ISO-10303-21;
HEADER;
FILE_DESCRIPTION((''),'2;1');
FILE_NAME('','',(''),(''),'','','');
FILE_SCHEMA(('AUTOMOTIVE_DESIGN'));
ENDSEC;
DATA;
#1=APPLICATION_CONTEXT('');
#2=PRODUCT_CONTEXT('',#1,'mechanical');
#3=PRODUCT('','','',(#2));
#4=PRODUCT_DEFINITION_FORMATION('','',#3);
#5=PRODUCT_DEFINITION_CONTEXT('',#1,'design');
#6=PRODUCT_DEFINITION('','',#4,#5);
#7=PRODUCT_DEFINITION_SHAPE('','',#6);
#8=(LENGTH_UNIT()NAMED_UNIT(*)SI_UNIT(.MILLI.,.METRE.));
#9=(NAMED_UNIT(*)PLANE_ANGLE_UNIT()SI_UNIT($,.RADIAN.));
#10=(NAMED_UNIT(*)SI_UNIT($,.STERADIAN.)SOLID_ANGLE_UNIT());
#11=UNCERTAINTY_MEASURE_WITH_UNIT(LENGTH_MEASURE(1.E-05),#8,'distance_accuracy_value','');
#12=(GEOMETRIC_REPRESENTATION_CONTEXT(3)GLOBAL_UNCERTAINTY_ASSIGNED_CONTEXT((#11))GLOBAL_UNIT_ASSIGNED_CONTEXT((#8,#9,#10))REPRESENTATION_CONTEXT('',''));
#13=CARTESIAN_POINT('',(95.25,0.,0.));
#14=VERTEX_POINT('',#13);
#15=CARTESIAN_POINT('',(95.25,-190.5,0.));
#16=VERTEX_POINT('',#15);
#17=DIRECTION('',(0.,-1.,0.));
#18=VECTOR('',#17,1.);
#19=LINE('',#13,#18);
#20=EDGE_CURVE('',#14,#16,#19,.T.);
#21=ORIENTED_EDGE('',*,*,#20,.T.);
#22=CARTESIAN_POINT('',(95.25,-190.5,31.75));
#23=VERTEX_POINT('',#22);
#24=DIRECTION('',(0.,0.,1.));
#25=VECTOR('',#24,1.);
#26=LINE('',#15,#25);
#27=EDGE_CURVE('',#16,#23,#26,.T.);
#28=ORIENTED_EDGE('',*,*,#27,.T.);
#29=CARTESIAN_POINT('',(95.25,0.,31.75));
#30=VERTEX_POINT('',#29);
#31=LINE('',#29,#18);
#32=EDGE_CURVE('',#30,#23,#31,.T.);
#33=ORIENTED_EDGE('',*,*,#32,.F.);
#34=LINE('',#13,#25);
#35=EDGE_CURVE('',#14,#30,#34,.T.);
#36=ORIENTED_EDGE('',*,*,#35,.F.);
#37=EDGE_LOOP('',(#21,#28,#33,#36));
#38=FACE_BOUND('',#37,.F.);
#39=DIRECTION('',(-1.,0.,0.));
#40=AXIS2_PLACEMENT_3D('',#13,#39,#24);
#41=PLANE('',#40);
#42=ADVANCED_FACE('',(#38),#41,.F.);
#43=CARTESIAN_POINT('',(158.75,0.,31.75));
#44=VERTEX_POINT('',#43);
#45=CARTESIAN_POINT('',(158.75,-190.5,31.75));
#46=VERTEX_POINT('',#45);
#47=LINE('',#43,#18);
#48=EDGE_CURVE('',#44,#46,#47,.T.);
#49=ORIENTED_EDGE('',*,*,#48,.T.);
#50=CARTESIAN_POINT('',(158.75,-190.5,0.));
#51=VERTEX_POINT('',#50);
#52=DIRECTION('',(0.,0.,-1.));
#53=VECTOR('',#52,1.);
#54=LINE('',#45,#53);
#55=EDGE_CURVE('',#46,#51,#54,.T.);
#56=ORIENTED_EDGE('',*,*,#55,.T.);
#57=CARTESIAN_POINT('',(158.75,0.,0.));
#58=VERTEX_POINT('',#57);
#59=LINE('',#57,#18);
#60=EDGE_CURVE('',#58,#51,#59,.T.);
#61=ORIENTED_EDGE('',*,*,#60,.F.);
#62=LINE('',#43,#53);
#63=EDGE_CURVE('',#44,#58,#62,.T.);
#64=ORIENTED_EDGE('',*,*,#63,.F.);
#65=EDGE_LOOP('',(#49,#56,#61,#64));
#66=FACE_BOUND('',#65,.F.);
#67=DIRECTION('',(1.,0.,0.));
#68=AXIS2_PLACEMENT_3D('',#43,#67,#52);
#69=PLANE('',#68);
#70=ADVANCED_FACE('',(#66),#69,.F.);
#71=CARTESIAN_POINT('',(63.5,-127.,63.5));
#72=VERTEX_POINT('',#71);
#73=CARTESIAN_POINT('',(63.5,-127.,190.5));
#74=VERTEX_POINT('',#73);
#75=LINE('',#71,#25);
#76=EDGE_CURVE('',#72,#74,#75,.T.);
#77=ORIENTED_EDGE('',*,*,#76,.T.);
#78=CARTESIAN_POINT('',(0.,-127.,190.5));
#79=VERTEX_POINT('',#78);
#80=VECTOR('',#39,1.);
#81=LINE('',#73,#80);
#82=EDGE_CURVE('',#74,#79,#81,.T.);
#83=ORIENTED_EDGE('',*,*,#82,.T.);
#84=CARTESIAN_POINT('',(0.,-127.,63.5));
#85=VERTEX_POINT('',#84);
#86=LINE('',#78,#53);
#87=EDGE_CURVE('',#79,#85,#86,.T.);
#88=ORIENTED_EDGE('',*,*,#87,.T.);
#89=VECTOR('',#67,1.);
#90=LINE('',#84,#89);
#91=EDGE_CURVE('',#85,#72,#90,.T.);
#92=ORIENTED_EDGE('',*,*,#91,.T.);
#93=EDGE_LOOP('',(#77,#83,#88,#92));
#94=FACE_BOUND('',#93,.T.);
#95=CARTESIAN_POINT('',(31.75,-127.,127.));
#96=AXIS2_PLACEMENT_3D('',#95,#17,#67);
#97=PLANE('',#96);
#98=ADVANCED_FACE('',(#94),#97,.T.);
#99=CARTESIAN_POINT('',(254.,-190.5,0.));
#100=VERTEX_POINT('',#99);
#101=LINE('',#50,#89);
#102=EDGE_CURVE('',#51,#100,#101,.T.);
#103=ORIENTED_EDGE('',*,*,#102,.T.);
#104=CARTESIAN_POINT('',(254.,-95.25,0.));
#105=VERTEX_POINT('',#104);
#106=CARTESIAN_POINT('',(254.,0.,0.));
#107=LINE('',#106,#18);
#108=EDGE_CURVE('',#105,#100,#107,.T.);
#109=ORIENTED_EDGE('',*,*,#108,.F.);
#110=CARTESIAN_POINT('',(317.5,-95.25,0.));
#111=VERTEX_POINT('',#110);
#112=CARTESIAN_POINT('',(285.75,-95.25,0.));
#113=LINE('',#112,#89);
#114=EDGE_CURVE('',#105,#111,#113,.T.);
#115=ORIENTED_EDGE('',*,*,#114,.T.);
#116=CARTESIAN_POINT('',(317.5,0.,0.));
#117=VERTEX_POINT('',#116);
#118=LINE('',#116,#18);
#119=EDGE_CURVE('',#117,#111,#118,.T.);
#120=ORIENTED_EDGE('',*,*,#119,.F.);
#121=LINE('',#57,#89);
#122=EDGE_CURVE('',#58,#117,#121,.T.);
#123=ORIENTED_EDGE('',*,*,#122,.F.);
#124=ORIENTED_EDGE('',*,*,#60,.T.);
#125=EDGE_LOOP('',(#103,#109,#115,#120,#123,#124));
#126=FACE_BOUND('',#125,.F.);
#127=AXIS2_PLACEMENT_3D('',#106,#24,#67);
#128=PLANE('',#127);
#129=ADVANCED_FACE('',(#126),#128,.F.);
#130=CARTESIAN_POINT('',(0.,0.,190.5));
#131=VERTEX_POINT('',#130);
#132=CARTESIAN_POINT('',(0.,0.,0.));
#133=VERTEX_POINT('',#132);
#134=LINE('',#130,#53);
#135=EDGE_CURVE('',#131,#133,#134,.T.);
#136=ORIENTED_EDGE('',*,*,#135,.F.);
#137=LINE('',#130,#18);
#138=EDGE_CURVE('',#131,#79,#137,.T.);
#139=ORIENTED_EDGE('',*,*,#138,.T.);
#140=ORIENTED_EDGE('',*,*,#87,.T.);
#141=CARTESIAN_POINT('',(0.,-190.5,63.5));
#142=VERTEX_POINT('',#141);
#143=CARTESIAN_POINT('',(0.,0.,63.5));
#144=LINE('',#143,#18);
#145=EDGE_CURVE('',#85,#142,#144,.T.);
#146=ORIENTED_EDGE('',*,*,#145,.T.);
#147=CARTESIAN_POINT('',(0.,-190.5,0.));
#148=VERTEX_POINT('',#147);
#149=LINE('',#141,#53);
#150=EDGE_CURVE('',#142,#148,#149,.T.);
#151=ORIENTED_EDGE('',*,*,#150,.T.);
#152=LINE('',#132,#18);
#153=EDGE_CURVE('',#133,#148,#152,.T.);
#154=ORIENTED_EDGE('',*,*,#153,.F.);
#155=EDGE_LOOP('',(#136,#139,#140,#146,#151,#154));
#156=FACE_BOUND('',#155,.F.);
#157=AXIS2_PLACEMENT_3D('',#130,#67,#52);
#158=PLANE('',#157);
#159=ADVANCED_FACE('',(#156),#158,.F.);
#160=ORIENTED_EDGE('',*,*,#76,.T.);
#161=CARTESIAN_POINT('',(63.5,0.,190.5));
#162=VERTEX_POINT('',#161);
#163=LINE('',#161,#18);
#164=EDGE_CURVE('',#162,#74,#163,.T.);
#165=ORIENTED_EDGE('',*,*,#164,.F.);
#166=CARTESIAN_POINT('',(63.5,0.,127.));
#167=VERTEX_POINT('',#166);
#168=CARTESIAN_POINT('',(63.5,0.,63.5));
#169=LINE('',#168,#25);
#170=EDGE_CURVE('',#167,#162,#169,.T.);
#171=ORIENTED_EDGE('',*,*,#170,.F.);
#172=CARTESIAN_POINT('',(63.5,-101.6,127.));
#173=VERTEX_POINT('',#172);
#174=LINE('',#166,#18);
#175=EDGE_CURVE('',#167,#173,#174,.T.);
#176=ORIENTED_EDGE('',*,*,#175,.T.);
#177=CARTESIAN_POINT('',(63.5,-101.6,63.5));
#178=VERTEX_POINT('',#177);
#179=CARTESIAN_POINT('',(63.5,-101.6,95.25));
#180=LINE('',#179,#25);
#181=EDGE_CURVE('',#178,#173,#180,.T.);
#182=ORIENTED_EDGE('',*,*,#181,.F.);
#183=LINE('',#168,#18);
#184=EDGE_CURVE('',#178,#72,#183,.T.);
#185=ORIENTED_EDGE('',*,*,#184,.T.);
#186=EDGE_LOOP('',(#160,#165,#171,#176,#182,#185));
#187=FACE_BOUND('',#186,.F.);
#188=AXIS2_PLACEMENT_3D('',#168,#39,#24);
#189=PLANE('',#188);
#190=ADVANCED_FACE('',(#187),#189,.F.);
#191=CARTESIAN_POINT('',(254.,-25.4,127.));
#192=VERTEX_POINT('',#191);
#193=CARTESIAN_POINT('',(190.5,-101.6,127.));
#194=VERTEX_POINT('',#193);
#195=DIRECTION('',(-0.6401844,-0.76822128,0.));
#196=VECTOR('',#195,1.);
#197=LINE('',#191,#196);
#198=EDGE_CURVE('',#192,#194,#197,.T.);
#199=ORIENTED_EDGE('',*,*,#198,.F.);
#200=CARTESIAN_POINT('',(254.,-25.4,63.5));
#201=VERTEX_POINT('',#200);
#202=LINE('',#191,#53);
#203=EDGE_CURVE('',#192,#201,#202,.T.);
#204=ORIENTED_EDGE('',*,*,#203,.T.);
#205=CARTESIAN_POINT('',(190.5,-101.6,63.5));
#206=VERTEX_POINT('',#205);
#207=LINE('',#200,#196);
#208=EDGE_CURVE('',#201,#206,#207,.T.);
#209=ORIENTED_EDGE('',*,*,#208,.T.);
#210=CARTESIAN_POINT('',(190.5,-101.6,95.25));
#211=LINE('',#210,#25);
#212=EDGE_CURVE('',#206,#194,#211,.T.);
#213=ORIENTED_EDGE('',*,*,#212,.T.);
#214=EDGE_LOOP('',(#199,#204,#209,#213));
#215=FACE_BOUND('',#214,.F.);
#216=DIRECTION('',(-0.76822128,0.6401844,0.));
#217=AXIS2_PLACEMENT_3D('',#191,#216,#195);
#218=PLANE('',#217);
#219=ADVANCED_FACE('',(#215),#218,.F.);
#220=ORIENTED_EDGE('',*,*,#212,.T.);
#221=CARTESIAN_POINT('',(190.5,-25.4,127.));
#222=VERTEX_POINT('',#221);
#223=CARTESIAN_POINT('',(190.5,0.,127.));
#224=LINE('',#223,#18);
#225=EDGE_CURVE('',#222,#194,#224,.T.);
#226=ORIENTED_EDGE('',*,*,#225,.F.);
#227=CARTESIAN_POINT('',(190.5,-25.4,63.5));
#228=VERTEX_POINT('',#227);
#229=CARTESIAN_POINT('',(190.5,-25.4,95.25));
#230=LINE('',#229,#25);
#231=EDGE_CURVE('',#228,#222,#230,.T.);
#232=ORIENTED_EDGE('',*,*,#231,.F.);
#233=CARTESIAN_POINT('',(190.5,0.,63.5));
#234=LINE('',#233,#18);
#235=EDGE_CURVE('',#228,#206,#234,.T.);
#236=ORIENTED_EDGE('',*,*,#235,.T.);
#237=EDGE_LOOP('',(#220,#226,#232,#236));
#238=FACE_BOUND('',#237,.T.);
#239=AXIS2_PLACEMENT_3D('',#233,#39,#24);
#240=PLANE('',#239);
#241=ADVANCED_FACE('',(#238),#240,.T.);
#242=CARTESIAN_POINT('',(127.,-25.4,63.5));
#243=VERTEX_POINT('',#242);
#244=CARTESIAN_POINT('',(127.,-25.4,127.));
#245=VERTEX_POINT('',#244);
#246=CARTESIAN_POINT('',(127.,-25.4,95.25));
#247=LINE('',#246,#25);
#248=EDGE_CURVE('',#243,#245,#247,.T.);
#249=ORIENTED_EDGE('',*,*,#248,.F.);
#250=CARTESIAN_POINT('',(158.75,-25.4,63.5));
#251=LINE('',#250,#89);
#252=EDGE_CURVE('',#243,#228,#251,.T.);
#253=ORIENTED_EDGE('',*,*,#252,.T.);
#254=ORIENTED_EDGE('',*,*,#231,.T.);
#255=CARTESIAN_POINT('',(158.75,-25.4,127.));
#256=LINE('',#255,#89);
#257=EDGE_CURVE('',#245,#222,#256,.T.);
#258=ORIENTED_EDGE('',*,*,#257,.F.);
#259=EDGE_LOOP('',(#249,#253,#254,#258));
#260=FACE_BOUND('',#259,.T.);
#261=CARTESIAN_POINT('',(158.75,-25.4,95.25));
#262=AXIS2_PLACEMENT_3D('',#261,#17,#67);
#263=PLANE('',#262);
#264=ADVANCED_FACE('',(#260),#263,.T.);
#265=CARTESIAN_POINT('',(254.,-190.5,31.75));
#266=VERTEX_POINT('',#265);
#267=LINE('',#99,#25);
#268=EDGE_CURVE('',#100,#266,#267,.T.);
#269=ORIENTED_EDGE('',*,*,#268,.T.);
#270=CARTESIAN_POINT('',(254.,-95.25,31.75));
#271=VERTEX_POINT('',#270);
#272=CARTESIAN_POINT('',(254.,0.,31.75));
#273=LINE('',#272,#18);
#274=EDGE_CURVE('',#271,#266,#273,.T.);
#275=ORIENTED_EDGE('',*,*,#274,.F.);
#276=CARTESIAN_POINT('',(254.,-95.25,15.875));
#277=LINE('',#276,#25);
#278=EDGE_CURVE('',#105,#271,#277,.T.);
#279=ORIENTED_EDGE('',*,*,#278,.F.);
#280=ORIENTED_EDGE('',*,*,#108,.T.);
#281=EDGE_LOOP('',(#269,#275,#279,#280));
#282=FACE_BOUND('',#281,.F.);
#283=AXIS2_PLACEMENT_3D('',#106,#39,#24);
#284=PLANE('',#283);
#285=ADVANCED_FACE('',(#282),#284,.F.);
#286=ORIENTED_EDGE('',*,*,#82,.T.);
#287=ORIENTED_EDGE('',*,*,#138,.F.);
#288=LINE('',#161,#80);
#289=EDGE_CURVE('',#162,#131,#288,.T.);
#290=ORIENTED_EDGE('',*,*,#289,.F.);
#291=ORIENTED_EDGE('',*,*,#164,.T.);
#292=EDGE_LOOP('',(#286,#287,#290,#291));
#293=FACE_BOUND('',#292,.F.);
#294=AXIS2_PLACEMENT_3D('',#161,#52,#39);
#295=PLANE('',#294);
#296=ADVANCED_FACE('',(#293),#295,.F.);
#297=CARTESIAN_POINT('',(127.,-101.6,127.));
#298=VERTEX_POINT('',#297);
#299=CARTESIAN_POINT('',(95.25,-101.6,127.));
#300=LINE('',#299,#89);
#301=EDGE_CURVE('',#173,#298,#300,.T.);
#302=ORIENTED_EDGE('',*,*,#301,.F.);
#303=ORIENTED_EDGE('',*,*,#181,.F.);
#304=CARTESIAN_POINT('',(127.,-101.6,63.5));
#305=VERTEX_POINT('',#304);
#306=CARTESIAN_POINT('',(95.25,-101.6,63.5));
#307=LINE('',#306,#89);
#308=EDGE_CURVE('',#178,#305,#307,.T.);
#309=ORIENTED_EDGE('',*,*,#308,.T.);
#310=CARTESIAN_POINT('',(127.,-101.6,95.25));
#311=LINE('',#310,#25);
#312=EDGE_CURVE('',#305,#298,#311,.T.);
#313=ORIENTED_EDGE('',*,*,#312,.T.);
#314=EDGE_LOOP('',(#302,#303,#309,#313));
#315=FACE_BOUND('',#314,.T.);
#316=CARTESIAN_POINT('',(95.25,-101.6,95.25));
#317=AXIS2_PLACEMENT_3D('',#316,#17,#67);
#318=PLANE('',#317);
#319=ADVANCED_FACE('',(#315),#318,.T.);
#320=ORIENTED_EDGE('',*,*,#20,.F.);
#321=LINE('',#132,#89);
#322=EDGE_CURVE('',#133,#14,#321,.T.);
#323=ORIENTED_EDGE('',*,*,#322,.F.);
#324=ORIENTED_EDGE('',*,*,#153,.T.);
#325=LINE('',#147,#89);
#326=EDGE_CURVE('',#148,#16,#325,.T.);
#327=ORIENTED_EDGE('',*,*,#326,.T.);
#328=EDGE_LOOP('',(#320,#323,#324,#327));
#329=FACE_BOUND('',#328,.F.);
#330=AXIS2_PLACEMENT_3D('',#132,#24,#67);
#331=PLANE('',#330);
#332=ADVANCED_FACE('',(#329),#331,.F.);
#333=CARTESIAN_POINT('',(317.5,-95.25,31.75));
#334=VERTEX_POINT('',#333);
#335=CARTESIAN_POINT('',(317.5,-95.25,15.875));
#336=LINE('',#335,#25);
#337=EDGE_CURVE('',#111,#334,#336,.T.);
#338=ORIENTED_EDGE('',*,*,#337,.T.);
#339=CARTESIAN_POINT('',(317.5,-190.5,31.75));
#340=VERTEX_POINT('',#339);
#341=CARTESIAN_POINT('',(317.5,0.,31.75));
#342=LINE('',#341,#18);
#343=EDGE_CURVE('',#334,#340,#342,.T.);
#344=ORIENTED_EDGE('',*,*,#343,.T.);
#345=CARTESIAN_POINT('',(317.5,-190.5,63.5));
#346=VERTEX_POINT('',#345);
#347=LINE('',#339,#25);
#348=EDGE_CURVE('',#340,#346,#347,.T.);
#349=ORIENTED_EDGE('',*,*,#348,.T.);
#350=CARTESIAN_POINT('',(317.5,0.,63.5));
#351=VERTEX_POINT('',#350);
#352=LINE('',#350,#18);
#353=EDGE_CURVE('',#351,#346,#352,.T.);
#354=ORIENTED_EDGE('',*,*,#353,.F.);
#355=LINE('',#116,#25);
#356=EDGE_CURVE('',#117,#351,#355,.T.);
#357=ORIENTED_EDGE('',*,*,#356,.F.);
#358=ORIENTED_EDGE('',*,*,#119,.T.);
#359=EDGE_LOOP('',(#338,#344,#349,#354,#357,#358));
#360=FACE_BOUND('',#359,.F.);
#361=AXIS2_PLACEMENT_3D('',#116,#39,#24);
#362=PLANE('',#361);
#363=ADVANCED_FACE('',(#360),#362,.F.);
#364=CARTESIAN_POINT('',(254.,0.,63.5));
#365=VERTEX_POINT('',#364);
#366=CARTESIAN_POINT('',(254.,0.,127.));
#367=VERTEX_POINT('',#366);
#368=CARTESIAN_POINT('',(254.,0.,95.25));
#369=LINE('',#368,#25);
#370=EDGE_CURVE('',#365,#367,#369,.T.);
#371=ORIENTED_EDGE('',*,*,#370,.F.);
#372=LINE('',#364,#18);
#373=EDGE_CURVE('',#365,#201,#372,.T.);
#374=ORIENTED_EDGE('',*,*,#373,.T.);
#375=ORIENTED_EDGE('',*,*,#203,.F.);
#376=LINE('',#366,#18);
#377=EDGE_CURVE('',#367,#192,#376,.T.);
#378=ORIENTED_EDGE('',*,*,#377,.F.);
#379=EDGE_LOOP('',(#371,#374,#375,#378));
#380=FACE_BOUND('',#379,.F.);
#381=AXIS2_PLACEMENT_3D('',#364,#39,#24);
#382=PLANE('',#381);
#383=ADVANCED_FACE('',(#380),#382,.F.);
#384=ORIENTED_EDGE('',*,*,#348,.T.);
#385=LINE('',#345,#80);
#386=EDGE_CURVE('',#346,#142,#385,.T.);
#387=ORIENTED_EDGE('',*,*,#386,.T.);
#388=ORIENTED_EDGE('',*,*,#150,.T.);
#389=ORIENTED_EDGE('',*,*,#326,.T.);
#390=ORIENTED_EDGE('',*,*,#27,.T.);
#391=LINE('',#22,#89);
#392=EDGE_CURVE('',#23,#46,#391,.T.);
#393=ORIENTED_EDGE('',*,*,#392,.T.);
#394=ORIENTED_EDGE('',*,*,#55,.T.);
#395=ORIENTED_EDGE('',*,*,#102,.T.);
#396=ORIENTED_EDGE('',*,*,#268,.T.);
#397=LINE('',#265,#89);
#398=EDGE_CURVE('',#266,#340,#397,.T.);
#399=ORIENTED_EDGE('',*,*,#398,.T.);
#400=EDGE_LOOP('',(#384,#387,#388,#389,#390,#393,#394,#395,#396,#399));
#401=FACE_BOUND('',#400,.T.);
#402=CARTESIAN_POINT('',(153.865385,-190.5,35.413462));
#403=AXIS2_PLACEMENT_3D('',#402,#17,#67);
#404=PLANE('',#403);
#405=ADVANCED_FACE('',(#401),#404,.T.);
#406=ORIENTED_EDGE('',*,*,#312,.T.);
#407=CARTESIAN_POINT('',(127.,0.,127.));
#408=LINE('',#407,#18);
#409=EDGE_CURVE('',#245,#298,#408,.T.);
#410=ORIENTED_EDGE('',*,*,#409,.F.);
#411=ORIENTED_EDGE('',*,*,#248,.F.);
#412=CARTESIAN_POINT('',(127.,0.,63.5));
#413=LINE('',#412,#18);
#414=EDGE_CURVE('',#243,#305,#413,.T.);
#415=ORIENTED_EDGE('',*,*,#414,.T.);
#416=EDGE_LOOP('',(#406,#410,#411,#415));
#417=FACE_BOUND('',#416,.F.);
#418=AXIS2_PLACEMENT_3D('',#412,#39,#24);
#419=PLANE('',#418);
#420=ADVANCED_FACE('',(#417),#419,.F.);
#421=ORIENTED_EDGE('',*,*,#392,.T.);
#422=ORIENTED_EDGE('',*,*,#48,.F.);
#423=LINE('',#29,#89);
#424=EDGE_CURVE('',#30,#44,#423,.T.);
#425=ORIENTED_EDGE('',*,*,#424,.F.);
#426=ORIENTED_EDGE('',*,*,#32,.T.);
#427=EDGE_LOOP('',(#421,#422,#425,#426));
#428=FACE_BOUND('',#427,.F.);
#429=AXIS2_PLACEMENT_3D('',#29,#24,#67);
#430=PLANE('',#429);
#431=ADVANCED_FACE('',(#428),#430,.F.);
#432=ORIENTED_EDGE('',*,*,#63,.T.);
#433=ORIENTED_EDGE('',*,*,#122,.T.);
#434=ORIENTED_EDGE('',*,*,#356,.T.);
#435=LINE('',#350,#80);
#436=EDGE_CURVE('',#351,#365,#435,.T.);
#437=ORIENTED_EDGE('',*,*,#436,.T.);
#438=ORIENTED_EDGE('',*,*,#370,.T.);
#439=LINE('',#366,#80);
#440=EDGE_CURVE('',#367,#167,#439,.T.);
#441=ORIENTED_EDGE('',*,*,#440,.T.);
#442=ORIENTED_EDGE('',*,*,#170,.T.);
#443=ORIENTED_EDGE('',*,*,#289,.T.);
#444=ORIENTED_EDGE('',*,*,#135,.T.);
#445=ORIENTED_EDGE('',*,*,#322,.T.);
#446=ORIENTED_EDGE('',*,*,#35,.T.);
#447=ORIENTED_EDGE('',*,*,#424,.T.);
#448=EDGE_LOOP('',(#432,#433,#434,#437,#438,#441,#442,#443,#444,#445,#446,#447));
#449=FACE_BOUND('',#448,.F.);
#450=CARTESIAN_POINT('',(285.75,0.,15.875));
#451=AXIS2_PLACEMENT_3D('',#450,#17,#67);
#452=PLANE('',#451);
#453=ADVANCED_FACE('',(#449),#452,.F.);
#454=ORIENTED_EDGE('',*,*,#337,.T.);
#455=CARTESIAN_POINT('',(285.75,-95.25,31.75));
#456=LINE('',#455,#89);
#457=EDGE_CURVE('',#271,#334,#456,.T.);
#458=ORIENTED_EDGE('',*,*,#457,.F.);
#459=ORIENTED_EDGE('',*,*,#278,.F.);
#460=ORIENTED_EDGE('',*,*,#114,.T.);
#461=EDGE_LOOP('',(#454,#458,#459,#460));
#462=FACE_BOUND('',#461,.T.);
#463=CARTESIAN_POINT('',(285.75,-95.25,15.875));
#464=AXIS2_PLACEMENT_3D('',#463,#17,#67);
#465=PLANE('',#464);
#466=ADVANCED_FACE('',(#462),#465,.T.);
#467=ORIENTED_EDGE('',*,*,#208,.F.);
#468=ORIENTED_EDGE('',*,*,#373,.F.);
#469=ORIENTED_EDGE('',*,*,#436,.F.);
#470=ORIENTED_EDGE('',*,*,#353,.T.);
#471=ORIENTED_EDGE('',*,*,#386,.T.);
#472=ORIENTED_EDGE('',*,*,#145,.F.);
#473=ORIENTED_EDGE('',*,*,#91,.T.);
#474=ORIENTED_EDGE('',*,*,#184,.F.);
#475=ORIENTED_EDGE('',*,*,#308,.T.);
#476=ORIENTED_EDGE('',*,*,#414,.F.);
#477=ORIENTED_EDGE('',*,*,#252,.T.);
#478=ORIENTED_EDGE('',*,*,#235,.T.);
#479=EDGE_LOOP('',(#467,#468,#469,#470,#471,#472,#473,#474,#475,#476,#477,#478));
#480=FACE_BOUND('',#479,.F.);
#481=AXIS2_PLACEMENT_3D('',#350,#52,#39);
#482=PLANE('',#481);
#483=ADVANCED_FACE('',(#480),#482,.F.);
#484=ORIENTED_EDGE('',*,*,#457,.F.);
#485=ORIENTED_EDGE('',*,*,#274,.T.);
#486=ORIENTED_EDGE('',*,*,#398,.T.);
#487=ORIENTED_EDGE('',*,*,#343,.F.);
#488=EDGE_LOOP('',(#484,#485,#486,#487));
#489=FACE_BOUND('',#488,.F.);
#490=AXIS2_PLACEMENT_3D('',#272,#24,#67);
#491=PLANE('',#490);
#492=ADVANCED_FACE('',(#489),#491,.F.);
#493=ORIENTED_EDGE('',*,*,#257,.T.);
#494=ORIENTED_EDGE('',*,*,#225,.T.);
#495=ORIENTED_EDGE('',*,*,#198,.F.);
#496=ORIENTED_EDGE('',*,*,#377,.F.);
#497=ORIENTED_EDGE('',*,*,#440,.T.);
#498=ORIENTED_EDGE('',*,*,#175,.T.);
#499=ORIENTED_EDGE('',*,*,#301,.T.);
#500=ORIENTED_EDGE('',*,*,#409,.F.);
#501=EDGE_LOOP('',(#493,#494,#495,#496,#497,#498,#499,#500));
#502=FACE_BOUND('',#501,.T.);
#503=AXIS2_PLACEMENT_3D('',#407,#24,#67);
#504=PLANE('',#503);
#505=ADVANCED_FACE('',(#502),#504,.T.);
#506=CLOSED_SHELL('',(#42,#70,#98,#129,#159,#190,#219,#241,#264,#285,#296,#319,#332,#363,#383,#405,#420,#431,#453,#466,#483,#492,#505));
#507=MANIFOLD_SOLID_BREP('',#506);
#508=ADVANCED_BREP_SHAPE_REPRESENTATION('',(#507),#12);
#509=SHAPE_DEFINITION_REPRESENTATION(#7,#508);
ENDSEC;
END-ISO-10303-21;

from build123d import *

# Parameters (mm, degrees)
F1_DEPTH = 190.5
F2_DEPTH = 127
F0_W     = 63.5
F0_H     = 63.5
F3_DEPTH = 101.6
F4_DEPTH = 25.4
F0_H_2   = 31.75
F5_DEPTH = 95.25
F7_DEPTH = 63.5


with BuildPart() as f1:
    # F0 (on Front) → F1 (new body)
    with BuildSketch(Plane.XZ):
        Polygon((0, 63.5), (0, 0), (95.25, 0), (95.25, 31.75), (158.75, 31.75), (158.75, 0), (254, 0), (254, 31.75), (317.5, 31.75), (317.5, 63.5), (254, 63.5), (190.5, 63.5), (127, 63.5), (63.5, 63.5), align=None)
    extrude(amount=F1_DEPTH)

    # F0 (on Front) → F2 (join)
    with BuildSketch(Plane.XZ):
        Polygon((0, 190.5), (0, 63.5), (63.5, 63.5), (63.5, 127), (63.5, 190.5), align=None)
    extrude(amount=F2_DEPTH)

    # F0 (on Front) → F3 (join)
    with BuildSketch(Plane.XZ):
        with Locations((95.25, 95.25)):
            Rectangle(F0_W, F0_H)
        with Locations((222.25, 95.25)):
            Rectangle(F0_W, F0_H)
    extrude(amount=F3_DEPTH)

    # F0 (on Front) → F4 (join)
    with BuildSketch(Plane.XZ):
        with Locations((158.75, 95.25)):
            Rectangle(F0_W, F0_H)
    extrude(amount=F4_DEPTH)

    # F0 (on Front) → F5 (join)
    with BuildSketch(Plane.XZ):
        with Locations((285.75, 15.875)):
            Rectangle(F0_W, F0_H_2)
    extrude(amount=F5_DEPTH)

    # F6 (on face) → F7 (cut)
    with BuildSketch(Plane.XY.offset(127)):
        Polygon((254, -25.4), (190.5, -101.6), (254, -101.6), align=None)
    extrude(amount=-F7_DEPTH, mode=Mode.SUBTRACT)


solid = f1.part
